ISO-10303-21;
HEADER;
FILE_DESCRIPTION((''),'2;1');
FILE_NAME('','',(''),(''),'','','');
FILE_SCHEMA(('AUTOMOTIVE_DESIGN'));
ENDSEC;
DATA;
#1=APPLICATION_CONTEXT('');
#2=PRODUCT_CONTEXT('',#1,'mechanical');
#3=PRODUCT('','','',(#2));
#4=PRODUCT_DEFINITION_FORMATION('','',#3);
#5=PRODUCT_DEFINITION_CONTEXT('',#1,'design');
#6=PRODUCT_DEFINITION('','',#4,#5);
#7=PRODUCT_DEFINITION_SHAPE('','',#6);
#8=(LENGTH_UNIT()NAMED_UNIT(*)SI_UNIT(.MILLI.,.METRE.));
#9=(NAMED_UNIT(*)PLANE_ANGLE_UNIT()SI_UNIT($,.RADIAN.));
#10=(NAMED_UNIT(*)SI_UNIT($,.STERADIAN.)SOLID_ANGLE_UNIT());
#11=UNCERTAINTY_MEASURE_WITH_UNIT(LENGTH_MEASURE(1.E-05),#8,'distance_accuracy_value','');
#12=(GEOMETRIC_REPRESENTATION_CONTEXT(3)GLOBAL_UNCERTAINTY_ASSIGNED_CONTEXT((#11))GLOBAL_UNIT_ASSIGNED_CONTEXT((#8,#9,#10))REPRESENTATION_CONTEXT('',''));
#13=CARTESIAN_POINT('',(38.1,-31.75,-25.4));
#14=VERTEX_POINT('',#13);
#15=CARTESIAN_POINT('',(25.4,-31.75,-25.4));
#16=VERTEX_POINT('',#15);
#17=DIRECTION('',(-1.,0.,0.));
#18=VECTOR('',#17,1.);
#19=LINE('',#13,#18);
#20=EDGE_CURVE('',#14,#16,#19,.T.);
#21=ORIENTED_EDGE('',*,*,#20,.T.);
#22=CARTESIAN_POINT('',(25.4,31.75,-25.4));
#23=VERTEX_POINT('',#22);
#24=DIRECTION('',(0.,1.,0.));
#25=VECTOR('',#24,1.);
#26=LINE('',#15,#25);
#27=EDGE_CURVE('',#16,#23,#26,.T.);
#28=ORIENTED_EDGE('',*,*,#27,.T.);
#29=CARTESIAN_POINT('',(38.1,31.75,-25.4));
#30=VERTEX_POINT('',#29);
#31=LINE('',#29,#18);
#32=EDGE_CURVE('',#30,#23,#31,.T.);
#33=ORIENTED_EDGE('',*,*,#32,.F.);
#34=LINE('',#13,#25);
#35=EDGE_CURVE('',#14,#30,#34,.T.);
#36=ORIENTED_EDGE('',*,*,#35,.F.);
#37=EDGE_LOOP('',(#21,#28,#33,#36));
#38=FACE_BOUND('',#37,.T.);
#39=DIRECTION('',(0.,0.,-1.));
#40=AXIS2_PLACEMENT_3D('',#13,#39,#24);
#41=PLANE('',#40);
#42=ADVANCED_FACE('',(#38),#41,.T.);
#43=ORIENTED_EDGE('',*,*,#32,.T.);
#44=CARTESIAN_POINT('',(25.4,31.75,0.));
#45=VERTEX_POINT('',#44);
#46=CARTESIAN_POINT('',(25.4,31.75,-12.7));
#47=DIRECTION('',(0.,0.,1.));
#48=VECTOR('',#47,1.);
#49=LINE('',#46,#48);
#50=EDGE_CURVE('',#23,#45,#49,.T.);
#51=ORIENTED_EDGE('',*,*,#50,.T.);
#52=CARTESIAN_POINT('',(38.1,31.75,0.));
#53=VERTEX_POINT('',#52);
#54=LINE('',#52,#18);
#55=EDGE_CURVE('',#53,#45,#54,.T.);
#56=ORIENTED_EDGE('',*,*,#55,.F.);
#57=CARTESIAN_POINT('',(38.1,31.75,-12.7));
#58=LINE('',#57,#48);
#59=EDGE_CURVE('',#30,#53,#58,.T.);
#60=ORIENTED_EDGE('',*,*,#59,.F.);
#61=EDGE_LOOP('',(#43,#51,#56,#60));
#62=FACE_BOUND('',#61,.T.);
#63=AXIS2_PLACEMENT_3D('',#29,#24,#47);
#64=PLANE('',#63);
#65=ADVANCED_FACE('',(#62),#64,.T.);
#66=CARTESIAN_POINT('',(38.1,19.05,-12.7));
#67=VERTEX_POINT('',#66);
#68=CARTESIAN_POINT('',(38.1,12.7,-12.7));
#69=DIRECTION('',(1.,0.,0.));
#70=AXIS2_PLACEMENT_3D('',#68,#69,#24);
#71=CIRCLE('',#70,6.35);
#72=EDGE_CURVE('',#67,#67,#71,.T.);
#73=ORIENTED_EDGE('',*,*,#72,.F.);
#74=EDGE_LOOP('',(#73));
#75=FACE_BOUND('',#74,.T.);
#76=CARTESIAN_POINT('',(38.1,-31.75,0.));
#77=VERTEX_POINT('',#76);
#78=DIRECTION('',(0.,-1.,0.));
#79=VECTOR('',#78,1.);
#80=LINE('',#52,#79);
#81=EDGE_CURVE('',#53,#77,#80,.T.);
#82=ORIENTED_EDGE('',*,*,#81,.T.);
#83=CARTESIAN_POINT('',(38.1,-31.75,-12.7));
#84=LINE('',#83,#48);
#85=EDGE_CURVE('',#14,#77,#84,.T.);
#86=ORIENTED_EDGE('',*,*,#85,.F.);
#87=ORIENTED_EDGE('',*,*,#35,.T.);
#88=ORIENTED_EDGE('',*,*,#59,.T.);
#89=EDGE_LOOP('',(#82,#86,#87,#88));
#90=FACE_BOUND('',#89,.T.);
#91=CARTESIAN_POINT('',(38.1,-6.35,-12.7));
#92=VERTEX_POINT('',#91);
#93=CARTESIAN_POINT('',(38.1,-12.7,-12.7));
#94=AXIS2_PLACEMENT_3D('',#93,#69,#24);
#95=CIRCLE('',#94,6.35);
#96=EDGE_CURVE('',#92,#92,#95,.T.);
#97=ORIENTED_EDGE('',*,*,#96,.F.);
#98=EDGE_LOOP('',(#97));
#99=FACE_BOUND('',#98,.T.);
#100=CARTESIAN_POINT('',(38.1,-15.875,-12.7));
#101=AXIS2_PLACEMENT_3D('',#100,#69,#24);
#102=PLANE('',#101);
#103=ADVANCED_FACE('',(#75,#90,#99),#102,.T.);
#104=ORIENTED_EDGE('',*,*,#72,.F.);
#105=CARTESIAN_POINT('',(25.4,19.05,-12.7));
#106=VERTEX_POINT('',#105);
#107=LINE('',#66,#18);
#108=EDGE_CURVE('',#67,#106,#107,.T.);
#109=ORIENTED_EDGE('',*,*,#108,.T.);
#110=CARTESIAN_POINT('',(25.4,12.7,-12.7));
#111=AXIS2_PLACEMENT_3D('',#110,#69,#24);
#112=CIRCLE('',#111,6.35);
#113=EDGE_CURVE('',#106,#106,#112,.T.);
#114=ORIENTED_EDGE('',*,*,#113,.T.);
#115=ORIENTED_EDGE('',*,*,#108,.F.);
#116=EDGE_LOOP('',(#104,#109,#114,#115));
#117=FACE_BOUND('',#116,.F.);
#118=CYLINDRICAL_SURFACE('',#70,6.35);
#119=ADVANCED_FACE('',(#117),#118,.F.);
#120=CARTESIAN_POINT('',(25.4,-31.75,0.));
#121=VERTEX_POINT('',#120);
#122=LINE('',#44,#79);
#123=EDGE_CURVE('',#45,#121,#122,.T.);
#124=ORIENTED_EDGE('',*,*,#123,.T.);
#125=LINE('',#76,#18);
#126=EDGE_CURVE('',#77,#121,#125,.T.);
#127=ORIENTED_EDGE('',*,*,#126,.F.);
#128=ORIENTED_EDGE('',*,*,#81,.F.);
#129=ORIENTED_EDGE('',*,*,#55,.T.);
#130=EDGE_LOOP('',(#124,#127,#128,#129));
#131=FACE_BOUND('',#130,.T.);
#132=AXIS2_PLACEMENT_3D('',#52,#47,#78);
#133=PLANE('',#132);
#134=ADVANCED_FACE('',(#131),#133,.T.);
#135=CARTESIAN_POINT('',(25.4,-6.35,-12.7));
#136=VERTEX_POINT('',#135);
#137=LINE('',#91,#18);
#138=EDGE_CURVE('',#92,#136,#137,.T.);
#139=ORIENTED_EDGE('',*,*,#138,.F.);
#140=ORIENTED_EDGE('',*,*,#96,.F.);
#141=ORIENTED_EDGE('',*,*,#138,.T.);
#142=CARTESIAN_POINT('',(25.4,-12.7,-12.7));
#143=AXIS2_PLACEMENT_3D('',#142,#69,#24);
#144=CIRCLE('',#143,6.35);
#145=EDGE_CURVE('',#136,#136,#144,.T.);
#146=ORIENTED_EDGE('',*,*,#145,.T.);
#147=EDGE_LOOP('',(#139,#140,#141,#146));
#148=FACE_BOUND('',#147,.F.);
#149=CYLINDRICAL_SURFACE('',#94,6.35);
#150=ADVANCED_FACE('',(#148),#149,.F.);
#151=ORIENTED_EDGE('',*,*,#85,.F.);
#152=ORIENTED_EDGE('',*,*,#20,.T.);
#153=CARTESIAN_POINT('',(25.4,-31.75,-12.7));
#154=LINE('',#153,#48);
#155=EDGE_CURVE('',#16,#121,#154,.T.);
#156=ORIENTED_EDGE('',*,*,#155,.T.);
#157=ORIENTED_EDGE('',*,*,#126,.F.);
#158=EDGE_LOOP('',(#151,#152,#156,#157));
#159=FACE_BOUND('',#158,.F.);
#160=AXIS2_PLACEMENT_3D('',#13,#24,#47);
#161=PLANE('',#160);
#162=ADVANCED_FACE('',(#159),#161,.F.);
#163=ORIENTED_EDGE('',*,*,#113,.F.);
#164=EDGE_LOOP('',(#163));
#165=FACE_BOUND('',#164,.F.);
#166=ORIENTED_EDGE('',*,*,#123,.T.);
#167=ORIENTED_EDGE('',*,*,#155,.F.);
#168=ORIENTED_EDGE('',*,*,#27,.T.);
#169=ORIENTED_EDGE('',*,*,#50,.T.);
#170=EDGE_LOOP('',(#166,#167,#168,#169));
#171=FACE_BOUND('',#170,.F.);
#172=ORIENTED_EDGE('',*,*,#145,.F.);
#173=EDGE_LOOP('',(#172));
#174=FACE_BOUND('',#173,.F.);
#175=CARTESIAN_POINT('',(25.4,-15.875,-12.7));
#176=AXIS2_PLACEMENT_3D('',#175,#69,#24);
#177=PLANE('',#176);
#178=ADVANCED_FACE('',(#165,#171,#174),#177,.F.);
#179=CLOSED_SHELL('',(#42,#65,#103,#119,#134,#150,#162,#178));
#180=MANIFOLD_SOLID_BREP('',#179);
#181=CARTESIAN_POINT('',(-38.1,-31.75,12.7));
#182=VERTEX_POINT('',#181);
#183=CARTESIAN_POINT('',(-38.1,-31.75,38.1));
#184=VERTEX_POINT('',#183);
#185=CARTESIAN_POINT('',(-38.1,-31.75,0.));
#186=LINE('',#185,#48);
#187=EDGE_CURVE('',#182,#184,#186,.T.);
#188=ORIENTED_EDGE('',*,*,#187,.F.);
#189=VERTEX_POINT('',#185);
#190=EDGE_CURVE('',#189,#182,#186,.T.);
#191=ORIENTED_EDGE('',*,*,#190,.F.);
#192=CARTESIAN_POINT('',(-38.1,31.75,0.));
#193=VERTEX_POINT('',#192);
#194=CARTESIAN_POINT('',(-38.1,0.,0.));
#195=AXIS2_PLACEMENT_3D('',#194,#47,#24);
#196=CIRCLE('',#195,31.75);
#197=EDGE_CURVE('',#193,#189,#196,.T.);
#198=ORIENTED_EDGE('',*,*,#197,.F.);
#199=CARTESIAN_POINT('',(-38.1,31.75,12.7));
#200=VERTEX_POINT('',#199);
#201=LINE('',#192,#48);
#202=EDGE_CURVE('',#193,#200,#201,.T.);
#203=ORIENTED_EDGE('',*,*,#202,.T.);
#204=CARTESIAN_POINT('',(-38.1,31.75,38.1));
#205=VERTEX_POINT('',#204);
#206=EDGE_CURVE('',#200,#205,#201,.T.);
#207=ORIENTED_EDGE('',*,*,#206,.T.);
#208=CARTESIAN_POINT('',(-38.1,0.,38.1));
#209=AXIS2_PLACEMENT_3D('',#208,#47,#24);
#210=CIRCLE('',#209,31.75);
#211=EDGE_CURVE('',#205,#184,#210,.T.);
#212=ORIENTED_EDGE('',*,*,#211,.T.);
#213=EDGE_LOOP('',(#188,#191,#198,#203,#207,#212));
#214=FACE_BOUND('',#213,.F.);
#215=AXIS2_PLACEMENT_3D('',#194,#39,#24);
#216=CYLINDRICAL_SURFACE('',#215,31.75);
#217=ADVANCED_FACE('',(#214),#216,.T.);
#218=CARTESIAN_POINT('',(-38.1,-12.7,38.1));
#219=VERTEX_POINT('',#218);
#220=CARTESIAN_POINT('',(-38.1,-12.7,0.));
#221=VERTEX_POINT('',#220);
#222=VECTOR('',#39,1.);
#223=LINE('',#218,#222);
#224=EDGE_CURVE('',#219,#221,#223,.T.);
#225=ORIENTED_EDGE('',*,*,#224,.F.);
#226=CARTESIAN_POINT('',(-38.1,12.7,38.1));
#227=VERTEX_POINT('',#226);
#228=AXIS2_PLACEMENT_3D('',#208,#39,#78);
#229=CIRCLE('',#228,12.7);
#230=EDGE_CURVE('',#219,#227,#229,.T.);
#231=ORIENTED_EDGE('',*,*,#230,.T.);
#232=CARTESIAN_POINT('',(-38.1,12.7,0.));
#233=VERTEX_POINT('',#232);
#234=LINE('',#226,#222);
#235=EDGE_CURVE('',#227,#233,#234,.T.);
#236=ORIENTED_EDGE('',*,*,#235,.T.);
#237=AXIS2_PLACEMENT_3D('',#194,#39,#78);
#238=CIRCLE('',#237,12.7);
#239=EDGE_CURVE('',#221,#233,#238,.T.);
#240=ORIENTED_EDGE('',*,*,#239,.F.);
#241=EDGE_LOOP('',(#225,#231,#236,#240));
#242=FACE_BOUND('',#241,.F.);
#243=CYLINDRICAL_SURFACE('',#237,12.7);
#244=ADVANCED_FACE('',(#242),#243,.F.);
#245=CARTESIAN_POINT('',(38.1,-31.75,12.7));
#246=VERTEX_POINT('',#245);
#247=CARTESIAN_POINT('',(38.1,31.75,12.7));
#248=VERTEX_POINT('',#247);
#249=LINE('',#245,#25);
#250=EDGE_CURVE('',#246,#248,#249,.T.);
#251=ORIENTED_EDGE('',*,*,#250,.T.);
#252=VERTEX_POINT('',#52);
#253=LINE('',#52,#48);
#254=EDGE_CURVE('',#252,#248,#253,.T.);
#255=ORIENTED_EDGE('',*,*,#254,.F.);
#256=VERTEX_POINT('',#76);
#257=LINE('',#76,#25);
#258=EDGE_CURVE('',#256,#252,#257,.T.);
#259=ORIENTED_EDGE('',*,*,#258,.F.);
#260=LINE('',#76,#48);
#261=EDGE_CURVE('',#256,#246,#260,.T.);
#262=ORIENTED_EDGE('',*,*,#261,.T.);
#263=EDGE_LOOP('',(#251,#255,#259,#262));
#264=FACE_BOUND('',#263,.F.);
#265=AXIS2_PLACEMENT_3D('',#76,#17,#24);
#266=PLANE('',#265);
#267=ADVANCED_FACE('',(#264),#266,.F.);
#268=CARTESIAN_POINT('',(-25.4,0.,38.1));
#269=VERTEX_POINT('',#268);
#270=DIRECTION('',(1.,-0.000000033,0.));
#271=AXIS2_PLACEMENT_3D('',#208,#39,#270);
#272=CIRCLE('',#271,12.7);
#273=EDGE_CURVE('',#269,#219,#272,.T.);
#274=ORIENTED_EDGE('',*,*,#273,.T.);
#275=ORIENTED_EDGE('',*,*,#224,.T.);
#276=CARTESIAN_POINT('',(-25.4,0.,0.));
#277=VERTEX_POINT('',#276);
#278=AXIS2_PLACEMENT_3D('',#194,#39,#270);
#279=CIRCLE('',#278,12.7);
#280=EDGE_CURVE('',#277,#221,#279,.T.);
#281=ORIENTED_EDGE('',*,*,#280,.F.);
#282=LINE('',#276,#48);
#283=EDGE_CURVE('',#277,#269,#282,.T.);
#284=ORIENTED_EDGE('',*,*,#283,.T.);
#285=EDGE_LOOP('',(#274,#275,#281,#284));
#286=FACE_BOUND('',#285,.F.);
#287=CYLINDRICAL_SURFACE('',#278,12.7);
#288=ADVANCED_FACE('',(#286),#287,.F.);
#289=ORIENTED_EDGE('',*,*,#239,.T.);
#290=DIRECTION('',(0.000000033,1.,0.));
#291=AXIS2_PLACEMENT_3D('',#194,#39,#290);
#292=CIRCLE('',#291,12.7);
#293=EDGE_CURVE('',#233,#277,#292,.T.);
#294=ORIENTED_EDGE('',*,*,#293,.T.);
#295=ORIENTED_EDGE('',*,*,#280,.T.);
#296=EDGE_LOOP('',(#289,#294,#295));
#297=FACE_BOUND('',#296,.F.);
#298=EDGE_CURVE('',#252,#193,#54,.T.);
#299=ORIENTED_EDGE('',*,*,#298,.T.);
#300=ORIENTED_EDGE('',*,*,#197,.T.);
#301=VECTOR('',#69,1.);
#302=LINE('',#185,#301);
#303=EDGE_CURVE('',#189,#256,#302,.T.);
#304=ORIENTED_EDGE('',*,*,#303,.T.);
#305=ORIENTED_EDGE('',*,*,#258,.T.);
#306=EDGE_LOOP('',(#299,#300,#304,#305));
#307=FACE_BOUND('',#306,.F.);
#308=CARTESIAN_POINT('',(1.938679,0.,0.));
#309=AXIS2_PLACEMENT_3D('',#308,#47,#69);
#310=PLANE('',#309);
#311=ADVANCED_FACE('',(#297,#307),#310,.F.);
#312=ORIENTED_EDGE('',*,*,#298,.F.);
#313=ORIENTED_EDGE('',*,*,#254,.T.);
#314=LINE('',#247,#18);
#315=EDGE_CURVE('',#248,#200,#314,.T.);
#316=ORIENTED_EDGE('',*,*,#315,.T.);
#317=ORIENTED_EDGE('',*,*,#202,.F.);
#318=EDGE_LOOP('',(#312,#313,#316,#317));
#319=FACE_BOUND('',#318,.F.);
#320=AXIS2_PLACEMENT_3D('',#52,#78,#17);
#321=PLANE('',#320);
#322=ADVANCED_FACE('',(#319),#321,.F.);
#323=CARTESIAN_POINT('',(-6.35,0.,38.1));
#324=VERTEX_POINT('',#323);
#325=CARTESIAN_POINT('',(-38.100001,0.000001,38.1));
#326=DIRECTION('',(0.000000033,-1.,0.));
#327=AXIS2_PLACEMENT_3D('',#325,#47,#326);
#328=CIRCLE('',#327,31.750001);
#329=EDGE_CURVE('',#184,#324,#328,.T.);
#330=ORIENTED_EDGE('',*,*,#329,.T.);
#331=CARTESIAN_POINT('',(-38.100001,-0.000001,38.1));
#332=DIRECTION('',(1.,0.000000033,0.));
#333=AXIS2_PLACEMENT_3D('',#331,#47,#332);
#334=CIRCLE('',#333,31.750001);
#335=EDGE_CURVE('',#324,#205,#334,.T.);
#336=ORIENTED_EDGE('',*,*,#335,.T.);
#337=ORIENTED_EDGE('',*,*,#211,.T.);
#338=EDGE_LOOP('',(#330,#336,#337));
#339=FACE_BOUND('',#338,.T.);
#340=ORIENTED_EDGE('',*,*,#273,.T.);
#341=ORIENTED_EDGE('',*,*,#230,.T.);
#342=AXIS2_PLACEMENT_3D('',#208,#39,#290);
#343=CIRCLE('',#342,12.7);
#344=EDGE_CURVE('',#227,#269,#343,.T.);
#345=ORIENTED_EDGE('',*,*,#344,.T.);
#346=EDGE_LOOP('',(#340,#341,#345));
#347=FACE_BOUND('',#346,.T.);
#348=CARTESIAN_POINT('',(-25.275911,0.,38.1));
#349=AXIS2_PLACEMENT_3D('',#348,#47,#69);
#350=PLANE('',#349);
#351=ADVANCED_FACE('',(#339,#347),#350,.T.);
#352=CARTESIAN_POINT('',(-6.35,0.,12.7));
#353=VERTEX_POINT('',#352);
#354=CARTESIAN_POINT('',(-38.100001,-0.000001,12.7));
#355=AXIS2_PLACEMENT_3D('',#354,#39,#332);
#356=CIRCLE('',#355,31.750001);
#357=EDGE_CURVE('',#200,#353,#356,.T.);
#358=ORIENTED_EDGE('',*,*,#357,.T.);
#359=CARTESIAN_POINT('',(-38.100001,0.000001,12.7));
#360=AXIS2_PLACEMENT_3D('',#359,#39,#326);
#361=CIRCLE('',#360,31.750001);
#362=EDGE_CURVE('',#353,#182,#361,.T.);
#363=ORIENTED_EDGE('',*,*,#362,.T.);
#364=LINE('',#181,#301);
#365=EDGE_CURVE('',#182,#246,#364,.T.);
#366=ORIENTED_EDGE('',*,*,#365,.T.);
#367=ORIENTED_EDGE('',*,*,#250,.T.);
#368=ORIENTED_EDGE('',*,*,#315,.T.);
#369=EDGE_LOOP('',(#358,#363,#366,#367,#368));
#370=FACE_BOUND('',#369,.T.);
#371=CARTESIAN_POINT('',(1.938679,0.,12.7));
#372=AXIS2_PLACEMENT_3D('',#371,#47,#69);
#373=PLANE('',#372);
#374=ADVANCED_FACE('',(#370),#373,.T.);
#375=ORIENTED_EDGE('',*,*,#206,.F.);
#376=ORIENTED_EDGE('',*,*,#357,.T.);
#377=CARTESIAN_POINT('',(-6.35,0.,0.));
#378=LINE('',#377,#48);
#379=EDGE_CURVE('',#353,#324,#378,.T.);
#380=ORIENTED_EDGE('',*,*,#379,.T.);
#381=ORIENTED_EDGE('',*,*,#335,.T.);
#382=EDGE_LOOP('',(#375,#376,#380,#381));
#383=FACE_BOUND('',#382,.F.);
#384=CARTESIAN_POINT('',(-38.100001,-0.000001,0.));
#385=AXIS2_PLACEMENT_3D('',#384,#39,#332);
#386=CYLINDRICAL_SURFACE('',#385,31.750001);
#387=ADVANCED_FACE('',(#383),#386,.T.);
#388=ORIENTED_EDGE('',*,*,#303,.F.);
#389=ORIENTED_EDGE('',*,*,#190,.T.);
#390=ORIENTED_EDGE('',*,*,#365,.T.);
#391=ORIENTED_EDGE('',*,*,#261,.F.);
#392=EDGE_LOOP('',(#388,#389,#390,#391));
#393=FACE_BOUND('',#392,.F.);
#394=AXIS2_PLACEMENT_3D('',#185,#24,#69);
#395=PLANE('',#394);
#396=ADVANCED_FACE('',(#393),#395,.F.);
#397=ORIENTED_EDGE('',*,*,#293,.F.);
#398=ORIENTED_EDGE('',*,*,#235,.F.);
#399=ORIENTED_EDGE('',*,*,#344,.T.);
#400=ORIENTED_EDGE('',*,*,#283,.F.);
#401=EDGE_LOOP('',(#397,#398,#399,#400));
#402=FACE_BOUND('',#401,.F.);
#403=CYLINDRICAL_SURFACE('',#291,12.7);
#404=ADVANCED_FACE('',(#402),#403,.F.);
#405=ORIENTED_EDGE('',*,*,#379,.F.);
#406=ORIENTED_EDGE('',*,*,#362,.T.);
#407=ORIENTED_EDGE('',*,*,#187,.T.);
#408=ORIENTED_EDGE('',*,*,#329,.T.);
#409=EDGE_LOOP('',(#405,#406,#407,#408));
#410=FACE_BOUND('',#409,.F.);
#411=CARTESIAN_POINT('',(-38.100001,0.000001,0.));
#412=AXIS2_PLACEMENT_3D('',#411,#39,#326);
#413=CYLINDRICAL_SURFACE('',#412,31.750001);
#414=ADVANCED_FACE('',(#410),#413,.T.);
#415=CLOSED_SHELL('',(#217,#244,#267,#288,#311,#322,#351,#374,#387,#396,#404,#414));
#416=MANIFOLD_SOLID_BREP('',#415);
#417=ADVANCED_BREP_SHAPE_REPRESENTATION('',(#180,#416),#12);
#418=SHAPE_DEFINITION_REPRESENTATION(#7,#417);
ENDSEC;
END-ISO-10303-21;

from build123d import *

# Parameters (mm, degrees)
F1_DEPTH = 12.7
F2_DEPTH = 38.1
F3_W     = 31.75
F3_H     = 25.4
F3_R     = 6.35
F4_DEPTH = 12.7


with BuildPart() as f1:
    # F0 (on Top) → F1 (new body)
    with BuildSketch(Plane.XY):
        with BuildLine():
            Line((-38.1, -31.75), (38.1, -31.75))
            Line((38.1, -31.75), (38.1, 31.75))
            Line((38.1, 31.75), (-38.1, 31.75))
            ThreePointArc((-38.1, 31.75), (-15.64936, 22.45064), (-6.35, 0))
            ThreePointArc((-6.35, 0), (-15.64936, -22.45064), (-38.1, -31.75))
        make_face()
        with BuildLine():
            Line((-38.1, -12.7), (-38.1, -31.75))
            ThreePointArc((-38.1, -31.75), (-15.64936, -22.45064), (-6.35, 0))
            ThreePointArc((-6.35, 0), (-15.64936, 22.45064), (-38.1, 31.75))
            Line((-38.1, 31.75), (-38.1, 12.7))
            ThreePointArc((-38.1, 12.7), (-29.119744, 8.980256), (-25.4, 0))
            ThreePointArc((-25.4, 0), (-29.119744, -8.980256), (-38.1, -12.7))
        make_face()
        with BuildLine():
            ThreePointArc((-38.1, 31.75), (-69.85, 0), (-38.1, -31.75))
            Line((-38.1, -31.75), (-38.1, -12.7))
            ThreePointArc((-38.1, -12.7), (-50.8, 0), (-38.1, 12.7))
            Line((-38.1, 12.7), (-38.1, 31.75))
        make_face()
    extrude(amount=F1_DEPTH)

    # F0 (on Top) → F2 (join)
    with BuildSketch(Plane.XY):
        with BuildLine():
            Line((-38.1, -12.7), (-38.1, -31.75))
            ThreePointArc((-38.1, -31.75), (-15.64936, -22.45064), (-6.35, 0))
            ThreePointArc((-6.35, 0), (-15.64936, 22.45064), (-38.1, 31.75))
            Line((-38.1, 31.75), (-38.1, 12.7))
            ThreePointArc((-38.1, 12.7), (-29.119744, 8.980256), (-25.4, 0))
            ThreePointArc((-25.4, 0), (-29.119744, -8.980256), (-38.1, -12.7))
        make_face()
        with BuildLine():
            ThreePointArc((-38.1, 31.75), (-69.85, 0), (-38.1, -31.75))
            Line((-38.1, -31.75), (-38.1, -12.7))
            ThreePointArc((-38.1, -12.7), (-50.8, 0), (-38.1, 12.7))
            Line((-38.1, 12.7), (-38.1, 31.75))
        make_face()
    extrude(amount=F2_DEPTH)


with BuildPart() as f4:
    # F3 (on face) → F4 (new body)
    with BuildSketch(Plane.YZ.offset(38.1)):
        with Locations((-15.875, -12.7)):
            Rectangle(F3_W, F3_H)
        with Locations((-12.7, -12.7)):
            Circle(F3_R, mode=Mode.SUBTRACT)
        with Locations((15.875, -12.7)):
            Rectangle(F3_W, F3_H)
        with Locations((12.7, -12.7)):
            Circle(F3_R, mode=Mode.SUBTRACT)
    extrude(amount=-F4_DEPTH)


solid = Compound([f1.part, f4.part])
